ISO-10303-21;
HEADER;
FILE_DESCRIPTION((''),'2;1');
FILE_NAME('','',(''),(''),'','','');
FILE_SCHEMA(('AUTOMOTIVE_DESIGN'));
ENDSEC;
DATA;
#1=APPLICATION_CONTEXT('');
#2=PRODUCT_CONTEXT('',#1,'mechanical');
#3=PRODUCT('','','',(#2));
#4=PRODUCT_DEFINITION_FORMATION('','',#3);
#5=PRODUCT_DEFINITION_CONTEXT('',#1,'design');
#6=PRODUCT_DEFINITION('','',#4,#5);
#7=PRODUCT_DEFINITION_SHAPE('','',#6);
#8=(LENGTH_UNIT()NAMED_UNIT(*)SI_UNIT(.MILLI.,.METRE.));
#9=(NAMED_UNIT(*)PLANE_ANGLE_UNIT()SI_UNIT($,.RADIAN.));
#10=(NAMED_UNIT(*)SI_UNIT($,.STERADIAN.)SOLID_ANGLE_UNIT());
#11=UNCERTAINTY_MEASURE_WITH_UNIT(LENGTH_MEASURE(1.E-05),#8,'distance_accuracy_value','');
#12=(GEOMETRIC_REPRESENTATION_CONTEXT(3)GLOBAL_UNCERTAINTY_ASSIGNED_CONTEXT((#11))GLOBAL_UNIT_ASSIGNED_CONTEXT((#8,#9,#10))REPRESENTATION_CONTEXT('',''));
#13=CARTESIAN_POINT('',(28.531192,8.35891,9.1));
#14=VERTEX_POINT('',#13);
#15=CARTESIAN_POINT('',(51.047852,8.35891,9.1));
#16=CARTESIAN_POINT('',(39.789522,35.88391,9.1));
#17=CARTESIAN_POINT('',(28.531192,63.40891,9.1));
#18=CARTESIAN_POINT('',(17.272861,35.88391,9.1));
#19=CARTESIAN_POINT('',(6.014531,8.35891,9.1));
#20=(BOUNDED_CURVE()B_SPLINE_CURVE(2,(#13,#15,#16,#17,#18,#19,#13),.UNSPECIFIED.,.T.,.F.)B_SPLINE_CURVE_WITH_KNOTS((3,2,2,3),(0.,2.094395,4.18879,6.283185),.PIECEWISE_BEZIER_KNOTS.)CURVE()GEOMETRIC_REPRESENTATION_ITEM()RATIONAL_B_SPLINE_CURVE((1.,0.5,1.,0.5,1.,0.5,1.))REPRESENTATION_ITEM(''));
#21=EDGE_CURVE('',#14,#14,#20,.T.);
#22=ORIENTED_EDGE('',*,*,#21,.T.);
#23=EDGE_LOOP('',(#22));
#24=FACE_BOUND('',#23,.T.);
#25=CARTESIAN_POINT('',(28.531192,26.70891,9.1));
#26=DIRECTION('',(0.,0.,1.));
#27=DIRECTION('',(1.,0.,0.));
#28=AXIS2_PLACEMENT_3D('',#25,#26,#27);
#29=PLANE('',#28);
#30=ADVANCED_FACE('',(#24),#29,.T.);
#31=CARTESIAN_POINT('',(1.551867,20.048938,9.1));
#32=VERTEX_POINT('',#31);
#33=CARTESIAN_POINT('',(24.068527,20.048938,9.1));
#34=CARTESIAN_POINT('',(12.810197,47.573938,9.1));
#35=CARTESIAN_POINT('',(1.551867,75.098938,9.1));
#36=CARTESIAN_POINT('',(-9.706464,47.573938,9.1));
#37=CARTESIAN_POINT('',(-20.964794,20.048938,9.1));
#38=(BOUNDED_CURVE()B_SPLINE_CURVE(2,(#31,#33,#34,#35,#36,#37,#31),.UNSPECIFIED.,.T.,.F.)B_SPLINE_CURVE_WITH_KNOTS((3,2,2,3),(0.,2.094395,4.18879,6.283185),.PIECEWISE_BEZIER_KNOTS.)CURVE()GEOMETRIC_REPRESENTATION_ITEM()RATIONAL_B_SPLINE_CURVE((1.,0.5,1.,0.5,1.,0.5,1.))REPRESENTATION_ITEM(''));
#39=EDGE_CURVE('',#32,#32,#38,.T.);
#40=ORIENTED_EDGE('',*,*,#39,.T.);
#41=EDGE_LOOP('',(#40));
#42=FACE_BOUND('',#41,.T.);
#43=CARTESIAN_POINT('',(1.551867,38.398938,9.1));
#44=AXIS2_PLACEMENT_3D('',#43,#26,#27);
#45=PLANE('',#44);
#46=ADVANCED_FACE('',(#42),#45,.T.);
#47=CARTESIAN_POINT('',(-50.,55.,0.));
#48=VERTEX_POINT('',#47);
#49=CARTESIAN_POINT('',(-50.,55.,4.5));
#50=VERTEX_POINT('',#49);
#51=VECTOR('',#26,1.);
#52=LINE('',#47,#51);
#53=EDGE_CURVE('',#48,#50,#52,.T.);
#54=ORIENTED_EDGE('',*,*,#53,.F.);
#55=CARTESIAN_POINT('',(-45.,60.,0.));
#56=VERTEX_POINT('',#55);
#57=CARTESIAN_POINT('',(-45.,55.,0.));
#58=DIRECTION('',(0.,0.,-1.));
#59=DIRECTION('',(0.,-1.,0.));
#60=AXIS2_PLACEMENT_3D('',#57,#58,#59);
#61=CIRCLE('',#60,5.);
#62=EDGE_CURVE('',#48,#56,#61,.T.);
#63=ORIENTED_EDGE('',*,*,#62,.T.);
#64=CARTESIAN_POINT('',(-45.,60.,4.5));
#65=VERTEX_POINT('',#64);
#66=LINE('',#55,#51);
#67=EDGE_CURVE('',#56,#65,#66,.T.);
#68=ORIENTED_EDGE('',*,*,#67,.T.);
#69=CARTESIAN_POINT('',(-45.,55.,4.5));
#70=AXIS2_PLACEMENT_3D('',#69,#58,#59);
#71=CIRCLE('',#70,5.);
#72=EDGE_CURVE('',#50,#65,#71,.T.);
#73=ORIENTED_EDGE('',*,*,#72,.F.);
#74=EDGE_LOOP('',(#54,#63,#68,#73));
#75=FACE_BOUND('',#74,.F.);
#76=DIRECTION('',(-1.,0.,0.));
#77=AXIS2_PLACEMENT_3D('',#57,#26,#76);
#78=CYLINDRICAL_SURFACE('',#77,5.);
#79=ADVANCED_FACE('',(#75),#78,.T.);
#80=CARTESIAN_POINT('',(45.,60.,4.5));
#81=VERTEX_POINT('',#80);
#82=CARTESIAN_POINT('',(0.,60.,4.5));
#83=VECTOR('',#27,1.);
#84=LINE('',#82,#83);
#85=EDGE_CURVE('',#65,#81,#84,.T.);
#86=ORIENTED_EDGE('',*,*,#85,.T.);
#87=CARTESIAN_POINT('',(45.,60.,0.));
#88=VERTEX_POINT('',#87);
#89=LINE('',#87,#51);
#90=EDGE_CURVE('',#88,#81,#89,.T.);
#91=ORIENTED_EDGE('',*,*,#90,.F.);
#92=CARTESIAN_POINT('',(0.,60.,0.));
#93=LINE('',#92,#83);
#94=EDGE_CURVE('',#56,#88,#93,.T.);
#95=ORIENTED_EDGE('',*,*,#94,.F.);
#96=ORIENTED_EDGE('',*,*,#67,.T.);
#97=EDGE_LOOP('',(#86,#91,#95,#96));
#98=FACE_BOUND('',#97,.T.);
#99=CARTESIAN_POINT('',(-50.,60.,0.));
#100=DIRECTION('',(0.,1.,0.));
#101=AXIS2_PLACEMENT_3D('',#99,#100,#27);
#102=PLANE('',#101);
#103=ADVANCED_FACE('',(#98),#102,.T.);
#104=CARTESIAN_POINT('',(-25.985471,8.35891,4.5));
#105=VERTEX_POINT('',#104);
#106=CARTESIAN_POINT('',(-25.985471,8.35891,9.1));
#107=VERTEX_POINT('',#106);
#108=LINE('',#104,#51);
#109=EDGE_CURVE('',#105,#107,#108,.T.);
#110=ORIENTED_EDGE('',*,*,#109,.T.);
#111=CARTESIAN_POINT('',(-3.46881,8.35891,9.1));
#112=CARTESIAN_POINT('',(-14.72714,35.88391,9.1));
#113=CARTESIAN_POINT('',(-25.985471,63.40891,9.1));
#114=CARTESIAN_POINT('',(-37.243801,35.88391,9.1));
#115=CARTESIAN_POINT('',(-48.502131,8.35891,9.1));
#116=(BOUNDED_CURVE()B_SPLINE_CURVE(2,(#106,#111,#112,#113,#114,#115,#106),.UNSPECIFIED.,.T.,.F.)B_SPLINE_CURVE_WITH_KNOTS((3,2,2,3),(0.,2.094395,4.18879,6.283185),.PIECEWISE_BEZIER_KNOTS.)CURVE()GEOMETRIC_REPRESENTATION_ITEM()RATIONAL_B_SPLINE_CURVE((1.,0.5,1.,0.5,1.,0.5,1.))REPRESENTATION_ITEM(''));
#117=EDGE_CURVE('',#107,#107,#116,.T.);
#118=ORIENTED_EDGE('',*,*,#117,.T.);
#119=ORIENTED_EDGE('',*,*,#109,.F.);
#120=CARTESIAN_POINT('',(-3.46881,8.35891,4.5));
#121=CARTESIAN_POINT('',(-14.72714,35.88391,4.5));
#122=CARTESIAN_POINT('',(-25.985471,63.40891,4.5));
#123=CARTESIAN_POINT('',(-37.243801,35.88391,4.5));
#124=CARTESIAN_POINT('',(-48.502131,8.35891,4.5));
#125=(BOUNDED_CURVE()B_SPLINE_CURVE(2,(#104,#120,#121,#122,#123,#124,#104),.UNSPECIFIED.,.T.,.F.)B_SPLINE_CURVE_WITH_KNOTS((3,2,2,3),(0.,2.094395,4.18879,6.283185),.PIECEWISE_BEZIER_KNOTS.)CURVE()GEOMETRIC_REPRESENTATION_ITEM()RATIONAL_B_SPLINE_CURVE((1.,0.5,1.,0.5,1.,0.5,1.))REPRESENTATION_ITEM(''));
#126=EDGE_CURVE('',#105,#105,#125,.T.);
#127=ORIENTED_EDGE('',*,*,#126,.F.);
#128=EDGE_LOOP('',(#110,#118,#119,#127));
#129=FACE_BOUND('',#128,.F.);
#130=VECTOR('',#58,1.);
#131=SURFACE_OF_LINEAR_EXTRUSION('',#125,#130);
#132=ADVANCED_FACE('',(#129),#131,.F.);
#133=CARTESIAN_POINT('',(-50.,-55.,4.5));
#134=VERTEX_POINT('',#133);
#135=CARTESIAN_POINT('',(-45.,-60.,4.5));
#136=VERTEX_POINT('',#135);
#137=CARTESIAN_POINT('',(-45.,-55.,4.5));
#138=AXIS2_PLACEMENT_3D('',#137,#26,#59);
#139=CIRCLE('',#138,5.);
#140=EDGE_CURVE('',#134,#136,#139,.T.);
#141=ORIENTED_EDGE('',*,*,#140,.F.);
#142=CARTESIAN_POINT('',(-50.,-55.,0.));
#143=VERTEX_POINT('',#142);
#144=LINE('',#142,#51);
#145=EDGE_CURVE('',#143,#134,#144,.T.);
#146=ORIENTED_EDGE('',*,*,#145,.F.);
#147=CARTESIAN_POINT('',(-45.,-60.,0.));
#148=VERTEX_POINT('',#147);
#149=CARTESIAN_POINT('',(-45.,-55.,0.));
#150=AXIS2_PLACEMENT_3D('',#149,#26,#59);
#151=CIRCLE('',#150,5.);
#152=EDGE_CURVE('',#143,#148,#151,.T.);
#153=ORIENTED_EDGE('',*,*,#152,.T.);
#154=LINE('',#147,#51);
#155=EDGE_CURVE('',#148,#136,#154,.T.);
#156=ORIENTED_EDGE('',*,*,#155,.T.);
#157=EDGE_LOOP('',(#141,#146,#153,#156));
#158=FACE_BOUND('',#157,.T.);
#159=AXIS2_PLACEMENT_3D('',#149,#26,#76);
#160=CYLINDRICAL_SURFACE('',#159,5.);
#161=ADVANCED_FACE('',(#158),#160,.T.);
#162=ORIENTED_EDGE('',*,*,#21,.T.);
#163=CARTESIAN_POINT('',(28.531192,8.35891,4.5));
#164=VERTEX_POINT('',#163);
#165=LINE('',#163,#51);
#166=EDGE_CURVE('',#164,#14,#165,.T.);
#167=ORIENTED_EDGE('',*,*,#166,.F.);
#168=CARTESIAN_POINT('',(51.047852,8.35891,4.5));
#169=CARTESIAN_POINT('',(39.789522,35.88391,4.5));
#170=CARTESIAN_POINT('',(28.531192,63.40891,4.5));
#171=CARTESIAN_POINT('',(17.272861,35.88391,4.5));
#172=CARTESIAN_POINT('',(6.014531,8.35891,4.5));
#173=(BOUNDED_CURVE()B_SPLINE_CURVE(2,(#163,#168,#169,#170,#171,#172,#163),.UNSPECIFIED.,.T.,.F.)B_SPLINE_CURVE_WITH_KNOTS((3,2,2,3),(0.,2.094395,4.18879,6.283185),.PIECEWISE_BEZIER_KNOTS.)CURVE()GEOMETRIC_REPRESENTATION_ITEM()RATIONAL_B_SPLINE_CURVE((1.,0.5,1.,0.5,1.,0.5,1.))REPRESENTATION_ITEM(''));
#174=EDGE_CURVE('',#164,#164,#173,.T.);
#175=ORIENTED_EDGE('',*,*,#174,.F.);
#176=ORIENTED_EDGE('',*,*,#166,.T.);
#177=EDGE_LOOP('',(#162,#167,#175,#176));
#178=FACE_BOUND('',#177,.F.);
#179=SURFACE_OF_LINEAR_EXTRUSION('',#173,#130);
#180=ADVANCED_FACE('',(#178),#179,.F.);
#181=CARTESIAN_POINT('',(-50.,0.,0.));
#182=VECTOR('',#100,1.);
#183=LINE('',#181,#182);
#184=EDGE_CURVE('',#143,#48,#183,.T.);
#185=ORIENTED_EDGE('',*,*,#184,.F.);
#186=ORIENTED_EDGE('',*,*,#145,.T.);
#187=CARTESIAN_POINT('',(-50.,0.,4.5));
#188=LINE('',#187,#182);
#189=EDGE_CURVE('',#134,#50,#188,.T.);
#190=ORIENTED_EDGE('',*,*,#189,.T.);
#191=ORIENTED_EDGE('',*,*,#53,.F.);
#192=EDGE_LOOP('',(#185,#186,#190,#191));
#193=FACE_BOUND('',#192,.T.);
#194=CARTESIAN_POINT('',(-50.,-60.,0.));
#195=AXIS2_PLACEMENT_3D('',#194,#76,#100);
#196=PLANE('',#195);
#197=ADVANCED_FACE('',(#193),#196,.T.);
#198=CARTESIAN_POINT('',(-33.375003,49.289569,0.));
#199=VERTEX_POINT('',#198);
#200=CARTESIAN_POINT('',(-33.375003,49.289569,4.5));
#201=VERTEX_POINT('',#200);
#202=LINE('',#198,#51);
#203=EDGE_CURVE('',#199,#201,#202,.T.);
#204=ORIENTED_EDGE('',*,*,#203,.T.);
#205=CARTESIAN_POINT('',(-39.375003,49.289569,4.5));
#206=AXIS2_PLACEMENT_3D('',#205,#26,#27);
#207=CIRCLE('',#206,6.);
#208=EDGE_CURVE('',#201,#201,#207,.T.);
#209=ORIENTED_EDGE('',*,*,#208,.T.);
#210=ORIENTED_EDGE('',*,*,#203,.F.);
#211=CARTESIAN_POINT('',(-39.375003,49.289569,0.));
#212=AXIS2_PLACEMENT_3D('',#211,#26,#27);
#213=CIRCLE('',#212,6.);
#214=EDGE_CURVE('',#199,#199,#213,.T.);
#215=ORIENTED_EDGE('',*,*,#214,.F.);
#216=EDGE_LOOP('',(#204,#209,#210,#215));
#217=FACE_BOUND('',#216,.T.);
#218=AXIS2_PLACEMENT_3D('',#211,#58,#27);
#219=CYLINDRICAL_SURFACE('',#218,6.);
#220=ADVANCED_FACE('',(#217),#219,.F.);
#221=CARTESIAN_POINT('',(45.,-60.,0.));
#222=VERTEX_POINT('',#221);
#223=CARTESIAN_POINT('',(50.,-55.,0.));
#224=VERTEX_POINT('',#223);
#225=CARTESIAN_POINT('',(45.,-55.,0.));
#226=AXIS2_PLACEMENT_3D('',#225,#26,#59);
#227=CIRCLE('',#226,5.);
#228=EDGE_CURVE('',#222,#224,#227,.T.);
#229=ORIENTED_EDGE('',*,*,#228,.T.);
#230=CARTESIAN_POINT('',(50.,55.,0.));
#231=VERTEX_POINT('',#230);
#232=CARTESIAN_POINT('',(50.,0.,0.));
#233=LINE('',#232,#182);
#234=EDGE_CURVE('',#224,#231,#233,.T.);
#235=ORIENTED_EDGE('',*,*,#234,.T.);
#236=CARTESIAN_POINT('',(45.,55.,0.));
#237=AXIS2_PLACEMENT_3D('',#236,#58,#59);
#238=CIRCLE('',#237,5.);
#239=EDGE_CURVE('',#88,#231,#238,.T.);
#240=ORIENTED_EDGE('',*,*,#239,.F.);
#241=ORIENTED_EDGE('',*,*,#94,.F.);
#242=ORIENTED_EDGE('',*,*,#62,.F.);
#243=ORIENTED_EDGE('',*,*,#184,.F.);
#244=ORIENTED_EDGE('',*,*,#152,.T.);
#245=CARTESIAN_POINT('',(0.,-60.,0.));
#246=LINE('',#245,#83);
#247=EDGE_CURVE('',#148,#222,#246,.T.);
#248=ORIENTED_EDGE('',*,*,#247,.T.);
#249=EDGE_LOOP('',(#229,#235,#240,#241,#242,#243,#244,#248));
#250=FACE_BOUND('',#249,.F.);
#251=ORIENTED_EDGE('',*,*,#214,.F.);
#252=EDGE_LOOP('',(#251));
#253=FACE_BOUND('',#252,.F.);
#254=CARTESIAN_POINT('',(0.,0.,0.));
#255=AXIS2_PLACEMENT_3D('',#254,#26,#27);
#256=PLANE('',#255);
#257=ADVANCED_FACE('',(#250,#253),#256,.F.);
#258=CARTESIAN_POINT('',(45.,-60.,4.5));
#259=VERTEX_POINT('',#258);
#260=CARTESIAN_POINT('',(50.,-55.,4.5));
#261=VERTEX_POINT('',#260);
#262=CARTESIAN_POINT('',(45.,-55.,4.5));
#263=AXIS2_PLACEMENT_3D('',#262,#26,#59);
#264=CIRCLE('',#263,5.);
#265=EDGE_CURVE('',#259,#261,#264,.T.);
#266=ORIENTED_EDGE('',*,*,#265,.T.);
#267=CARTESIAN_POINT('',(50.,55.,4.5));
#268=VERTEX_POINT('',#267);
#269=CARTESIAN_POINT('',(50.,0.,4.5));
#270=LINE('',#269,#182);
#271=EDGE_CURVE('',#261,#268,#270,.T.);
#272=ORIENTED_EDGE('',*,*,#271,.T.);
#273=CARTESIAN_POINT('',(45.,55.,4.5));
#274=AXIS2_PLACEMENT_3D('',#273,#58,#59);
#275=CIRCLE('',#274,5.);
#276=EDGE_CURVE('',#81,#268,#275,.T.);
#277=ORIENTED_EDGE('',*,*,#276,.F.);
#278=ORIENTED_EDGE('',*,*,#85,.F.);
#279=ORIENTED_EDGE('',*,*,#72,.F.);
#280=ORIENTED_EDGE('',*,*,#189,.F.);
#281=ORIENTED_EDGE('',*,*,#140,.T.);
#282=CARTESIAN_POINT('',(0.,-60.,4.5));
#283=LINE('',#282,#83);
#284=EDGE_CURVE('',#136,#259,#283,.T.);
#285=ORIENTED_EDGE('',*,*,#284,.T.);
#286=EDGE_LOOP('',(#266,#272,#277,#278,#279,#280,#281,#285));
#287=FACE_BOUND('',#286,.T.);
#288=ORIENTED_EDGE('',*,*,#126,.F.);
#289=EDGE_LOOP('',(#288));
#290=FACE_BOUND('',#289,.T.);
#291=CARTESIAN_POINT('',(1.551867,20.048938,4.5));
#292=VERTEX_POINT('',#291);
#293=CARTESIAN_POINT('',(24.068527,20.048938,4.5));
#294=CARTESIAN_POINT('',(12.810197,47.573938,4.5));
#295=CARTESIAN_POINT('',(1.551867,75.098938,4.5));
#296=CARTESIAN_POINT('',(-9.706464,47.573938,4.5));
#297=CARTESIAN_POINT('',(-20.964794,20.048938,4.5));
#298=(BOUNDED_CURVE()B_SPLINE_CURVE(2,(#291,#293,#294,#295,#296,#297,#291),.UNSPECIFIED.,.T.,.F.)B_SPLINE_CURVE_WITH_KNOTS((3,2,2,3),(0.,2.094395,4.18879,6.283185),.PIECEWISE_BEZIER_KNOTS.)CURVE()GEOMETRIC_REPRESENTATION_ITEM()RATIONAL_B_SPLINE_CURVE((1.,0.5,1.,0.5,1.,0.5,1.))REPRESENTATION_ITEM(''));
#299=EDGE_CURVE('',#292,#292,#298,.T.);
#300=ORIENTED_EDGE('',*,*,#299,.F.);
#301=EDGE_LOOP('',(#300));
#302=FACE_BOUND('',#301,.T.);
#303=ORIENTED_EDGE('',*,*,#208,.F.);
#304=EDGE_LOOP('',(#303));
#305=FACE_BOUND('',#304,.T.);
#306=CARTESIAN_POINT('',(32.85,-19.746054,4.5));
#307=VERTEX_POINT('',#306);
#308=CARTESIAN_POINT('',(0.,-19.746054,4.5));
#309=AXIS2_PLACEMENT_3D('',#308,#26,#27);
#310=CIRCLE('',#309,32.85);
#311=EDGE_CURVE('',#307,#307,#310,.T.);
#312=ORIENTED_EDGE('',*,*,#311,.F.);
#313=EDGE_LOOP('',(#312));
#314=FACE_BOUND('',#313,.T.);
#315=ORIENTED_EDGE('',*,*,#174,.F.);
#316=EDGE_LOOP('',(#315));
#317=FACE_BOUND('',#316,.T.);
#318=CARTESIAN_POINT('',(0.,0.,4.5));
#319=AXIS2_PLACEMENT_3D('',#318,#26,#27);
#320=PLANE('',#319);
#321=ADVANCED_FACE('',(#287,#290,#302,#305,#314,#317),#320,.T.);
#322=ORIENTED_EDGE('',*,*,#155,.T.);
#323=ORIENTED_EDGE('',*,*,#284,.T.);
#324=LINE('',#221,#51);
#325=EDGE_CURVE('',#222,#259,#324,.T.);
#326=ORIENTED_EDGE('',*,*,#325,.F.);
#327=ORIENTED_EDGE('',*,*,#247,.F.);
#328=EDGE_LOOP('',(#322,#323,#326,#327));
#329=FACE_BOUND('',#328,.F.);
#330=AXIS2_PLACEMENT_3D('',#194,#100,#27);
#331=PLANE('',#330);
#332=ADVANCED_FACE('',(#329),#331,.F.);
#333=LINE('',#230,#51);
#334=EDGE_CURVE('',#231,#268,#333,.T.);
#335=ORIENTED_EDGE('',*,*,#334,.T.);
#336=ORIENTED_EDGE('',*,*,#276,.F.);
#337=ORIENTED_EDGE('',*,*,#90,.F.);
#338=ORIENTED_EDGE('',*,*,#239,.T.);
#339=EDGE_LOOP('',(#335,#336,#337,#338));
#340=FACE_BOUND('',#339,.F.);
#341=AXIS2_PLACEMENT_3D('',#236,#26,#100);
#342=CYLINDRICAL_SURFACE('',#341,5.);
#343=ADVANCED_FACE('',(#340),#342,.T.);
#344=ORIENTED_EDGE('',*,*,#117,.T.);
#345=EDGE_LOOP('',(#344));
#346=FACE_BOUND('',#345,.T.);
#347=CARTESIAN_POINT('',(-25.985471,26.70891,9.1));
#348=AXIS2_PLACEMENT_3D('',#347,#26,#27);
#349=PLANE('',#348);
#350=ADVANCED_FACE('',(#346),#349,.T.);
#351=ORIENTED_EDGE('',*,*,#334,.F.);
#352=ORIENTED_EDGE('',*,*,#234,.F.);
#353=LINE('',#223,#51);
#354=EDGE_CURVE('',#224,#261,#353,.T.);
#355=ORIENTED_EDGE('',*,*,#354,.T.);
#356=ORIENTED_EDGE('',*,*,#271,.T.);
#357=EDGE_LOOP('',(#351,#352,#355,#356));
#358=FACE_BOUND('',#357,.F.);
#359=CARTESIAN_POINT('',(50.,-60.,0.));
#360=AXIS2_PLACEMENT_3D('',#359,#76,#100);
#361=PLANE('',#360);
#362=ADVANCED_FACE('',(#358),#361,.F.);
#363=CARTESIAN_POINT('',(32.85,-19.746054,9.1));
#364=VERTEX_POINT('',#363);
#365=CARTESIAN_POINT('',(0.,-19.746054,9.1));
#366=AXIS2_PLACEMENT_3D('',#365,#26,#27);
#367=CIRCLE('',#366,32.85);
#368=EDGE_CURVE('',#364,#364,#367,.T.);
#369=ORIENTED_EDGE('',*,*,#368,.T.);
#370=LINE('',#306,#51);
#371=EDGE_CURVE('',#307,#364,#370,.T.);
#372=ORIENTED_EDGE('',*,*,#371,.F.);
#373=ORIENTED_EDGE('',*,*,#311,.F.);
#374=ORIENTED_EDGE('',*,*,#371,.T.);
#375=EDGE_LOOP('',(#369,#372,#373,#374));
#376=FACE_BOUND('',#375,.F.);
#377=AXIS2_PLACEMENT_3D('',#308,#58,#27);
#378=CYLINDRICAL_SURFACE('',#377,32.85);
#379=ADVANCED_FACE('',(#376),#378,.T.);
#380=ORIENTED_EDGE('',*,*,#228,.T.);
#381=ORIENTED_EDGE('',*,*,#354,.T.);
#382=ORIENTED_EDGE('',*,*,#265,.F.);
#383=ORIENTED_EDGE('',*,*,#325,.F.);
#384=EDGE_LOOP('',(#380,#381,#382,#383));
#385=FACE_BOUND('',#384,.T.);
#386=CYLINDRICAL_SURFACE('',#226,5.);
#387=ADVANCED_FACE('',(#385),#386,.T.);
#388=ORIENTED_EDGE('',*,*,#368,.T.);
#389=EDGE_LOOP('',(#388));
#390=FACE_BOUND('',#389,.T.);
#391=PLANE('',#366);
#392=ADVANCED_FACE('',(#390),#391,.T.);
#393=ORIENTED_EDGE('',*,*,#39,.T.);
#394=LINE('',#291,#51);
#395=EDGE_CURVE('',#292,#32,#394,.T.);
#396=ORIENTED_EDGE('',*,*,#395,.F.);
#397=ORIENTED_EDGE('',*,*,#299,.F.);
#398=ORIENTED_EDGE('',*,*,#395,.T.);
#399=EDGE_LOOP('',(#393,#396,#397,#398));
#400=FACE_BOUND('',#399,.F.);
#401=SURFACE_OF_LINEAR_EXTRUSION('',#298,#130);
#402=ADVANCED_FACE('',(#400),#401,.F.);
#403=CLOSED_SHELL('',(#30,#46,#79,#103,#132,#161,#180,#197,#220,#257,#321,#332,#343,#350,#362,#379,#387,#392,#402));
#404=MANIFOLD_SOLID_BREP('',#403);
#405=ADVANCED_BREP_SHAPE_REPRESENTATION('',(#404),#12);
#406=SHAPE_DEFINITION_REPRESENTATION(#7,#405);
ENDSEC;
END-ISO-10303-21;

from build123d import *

# Parameters (mm, degrees)
F0_W     = 100
F0_H     = 120
F0_R     = 6
F1_DEPTH = 4.5
F2_R     = 5
F3_R     = 32.85
F4_DEPTH = 4.6


with BuildPart() as f1:
    # F0 (on Top) → F1 (new body)
    with BuildSketch(Plane.XY):
        Rectangle(F0_W, F0_H)
        with Locations((-39.375003, 49.289569)):
            Circle(F0_R, mode=Mode.SUBTRACT)
    extrude(amount=F1_DEPTH)

    # F2
    f2_edges = [f1.edges().sort_by_distance(p)[0] for p in [
        (-50, -60, 2.25),
        (50, -60, 2.25),
        (50, 60, 2.25),
        (-50, 60, 2.25),
    ]]
    fillet(f2_edges, radius=F2_R)

    # F3 (on face) → F4 (join)
    with BuildSketch(Plane.XY.offset(4.5)):
        with Locations((0, -19.746054)):
            Circle(F3_R)
        with BuildLine():
            add(Edge.make_bspline(
                [(-25.985471, 8.35891), (-3.46881, 8.35891), (-14.72714, 35.88391), (-25.985471, 63.40891), (-37.243801, 35.88391), (-48.502131, 8.35891), (-25.985471, 8.35891)],
                knots=[0, 0, 0, 2.094395, 2.094395, 4.18879, 4.18879, 6.283185, 6.283185, 6.283185], degree=2, weights=[1, 0.5, 1, 0.5, 1, 0.5, 1]))
        make_face()
        with BuildLine():
            add(Edge.make_bspline(
                [(1.551867, 20.048938), (24.068527, 20.048938), (12.810197, 47.573938), (1.551867, 75.098938), (-9.706464, 47.573938), (-20.964794, 20.048938), (1.551867, 20.048938)],
                knots=[0, 0, 0, 2.094395, 2.094395, 4.18879, 4.18879, 6.283185, 6.283185, 6.283185], degree=2, weights=[1, 0.5, 1, 0.5, 1, 0.5, 1]))
        make_face()
        with BuildLine():
            add(Edge.make_bspline(
                [(28.531192, 8.35891), (51.047852, 8.35891), (39.789522, 35.88391), (28.531192, 63.40891), (17.272861, 35.88391), (6.014531, 8.35891), (28.531192, 8.35891)],
                knots=[0, 0, 0, 2.094395, 2.094395, 4.18879, 4.18879, 6.283185, 6.283185, 6.283185], degree=2, weights=[1, 0.5, 1, 0.5, 1, 0.5, 1]))
        make_face()
    extrude(amount=F4_DEPTH)


solid = f1.part
